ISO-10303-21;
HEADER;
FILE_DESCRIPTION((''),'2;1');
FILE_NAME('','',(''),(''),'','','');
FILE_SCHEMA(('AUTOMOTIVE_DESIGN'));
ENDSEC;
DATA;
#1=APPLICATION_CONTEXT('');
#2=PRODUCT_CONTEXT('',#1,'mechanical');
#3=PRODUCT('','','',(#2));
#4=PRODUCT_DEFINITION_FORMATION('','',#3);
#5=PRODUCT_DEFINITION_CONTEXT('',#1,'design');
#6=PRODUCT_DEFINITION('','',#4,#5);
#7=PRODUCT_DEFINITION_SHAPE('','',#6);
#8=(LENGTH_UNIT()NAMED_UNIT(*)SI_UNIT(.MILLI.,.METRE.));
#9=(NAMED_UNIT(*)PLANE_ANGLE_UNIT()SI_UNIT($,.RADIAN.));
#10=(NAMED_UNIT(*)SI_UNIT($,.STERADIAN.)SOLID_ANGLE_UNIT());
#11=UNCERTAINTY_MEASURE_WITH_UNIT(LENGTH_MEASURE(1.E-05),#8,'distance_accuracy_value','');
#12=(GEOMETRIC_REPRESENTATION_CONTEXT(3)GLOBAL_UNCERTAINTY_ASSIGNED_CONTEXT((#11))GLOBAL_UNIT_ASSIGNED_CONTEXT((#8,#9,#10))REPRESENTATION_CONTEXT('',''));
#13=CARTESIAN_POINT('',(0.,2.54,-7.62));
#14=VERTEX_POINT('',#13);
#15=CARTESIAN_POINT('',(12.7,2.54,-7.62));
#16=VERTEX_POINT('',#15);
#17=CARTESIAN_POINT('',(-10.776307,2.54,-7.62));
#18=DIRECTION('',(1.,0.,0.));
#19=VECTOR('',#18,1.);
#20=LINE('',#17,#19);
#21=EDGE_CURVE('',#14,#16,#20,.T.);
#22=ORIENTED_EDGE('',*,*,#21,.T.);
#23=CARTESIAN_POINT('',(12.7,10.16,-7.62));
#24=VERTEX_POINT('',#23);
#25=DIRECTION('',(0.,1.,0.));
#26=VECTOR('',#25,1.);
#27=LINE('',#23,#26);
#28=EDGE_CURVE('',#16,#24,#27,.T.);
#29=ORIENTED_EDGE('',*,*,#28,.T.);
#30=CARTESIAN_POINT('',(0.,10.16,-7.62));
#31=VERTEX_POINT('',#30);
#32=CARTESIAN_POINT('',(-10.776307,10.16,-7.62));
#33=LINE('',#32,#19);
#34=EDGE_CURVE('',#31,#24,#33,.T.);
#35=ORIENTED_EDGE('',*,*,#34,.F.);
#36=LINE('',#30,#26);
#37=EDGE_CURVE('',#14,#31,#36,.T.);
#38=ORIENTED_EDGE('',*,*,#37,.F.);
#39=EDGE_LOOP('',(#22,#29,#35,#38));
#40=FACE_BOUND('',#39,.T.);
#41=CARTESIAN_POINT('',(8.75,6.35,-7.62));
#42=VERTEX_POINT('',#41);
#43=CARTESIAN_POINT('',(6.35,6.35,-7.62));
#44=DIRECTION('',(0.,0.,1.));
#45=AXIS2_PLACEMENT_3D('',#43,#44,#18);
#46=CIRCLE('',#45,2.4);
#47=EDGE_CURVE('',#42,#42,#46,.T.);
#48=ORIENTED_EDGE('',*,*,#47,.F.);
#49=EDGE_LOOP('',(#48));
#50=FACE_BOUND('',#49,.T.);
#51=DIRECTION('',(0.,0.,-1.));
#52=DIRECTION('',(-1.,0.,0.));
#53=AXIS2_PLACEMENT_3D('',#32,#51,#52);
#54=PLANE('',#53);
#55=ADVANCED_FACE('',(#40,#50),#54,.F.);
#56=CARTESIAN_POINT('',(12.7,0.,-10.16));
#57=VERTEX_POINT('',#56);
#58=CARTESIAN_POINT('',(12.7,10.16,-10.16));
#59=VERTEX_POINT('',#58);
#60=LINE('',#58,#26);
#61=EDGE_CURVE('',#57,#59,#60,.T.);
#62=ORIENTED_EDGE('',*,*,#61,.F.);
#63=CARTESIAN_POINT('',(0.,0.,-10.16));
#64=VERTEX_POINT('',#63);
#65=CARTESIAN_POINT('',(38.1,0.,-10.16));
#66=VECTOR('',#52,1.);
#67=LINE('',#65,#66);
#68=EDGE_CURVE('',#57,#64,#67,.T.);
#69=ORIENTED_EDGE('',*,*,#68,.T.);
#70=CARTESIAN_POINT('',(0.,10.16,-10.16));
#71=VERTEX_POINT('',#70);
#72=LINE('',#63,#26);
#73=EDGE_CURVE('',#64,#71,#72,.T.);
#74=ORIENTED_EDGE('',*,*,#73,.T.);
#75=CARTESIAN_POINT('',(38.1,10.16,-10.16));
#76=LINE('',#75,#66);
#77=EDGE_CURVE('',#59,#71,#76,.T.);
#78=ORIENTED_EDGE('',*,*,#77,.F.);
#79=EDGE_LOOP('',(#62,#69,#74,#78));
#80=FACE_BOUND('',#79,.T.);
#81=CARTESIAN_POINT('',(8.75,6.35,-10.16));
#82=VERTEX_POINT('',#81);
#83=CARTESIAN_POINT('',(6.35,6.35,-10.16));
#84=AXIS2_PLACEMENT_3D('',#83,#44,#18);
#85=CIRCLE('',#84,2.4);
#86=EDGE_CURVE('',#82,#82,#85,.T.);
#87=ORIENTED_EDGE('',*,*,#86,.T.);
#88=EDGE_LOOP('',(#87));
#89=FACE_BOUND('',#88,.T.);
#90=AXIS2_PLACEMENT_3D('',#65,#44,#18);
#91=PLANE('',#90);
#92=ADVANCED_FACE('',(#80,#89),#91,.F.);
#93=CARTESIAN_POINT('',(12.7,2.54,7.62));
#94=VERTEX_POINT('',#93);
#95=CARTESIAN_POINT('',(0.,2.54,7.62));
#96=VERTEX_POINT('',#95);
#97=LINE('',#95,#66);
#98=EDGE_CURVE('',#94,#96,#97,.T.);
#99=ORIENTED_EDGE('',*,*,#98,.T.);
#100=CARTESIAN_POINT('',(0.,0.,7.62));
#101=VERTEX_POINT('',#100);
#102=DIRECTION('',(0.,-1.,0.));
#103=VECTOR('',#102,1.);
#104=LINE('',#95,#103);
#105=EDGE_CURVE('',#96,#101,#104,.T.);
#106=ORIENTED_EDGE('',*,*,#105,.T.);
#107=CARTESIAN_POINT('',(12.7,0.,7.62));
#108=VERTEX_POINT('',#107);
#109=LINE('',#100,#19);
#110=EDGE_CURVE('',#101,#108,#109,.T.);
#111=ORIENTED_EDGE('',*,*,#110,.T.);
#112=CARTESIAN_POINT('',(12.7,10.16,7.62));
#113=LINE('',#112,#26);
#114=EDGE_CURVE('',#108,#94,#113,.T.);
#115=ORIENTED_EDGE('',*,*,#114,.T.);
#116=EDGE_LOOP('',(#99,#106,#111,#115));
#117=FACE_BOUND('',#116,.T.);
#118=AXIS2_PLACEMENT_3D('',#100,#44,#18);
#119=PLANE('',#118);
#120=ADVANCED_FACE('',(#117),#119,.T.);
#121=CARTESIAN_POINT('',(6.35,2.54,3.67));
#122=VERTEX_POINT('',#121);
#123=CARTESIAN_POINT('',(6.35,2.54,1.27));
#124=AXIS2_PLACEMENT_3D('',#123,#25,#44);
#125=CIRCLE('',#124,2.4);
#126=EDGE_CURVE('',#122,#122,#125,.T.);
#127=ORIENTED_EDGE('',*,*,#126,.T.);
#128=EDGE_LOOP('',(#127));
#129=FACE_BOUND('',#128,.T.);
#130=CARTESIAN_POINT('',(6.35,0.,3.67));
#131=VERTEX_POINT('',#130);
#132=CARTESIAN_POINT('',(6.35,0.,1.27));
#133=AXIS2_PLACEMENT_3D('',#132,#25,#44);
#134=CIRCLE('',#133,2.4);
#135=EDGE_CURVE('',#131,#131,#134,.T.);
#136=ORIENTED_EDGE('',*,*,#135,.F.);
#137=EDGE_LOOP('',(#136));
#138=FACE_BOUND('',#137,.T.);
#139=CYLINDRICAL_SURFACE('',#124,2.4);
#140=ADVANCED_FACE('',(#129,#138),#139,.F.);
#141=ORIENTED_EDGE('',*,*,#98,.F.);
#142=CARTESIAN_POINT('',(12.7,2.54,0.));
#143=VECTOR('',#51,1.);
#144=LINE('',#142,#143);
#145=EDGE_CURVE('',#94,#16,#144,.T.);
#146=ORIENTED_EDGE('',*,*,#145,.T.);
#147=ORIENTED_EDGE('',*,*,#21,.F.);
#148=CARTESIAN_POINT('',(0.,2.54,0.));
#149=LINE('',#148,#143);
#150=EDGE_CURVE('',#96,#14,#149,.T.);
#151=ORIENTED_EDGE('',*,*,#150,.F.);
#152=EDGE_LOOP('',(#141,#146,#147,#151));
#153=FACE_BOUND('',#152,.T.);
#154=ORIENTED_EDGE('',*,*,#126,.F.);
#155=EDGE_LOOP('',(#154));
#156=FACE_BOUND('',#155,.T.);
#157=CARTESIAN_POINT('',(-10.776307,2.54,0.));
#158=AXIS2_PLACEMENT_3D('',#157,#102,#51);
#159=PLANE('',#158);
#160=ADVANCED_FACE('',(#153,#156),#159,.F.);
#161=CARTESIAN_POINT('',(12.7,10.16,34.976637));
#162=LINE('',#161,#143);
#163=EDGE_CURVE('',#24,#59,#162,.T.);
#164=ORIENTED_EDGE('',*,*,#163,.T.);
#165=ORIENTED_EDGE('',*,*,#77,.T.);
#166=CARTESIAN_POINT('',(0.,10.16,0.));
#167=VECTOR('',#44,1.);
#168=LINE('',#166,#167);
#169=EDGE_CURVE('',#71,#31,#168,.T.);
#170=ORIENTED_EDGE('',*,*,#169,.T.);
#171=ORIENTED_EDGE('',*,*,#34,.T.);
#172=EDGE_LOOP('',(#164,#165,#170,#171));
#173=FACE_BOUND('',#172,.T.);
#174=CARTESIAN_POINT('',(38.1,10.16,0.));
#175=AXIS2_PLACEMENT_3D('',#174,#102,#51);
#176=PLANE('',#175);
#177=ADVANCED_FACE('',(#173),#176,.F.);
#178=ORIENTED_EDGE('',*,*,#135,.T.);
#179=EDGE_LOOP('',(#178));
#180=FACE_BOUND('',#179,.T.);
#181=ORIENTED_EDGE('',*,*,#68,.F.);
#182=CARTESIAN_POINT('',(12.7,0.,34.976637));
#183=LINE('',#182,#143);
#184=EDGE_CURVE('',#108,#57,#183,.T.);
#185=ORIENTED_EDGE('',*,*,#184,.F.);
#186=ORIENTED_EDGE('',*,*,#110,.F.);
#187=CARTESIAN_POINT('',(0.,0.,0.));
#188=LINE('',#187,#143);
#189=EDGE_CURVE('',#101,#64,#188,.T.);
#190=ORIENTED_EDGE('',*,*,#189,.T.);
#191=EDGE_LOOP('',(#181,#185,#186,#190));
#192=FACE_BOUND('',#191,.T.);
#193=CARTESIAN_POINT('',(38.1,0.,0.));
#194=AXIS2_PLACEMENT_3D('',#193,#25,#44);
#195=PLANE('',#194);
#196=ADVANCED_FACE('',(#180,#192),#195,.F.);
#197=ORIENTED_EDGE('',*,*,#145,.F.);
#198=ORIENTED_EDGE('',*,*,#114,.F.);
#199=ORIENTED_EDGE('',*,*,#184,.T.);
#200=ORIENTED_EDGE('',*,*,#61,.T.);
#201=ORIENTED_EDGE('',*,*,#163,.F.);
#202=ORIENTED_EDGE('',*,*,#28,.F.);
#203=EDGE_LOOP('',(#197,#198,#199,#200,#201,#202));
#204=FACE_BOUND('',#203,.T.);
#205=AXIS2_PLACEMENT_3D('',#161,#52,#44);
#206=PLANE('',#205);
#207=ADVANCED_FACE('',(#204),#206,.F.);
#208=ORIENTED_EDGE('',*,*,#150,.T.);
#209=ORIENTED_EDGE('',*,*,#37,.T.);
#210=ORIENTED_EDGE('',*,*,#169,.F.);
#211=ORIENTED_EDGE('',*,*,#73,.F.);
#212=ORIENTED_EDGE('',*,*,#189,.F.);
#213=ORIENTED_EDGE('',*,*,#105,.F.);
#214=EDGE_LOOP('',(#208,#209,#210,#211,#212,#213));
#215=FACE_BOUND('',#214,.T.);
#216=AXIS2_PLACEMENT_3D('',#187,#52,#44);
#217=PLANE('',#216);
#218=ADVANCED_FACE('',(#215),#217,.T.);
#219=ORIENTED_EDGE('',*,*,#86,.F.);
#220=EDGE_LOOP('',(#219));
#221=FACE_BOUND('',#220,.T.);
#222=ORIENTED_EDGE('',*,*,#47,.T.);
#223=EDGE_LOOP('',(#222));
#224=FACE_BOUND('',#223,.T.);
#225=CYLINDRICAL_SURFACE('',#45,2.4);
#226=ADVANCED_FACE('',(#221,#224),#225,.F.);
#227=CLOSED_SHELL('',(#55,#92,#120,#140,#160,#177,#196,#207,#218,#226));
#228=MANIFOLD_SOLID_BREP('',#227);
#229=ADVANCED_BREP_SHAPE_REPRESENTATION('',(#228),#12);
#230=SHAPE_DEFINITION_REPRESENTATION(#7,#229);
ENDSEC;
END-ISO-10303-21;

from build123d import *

# Parameters (mm, degrees)
SKETCH2_W               = 10.16
SKETCH2_H               = 10.16
BOSS_EXTRUDE1_DEPTH     = 38.1
CUT_EXTRUDE1_DEPTH      = 41.719297636
CUT_EXTRUDE1_DEPTH_BACK = 38.1
SKETCH3_W               = 7.62
SKETCH3_H               = 7.62
M4_CLEARANCE_HOLE2_D    = 4.8
SKETCH13_W              = 38.1
SKETCH13_H              = 2.54
BOSS_EXTRUDE2_DEPTH     = 7.62
M4_CLEARANCE_HOLE3_D    = 4.8
CUT_EXTRUDE2_REACH      = 45.255
SKETCH17_W              = 25.4
SKETCH17_H              = 10.16


with BuildPart() as part:
    # Sketch2 → Boss-Extrude1 (new body)
    with BuildSketch(Plane(origin=(0, 0, 0), x_dir=(0, 0, -1), z_dir=(1, 0, 0))):
        with Locations((5.08, 5.08)):
            Rectangle(SKETCH2_W, SKETCH2_H)
    extrude(amount=BOSS_EXTRUDE1_DEPTH)

    # Sketch3 → Cut-Extrude1 (cut, two sides: drawn at the far end of the back side and taken through both)
    with BuildSketch(Plane(origin=(38.1, 0, 0), x_dir=(0, 0, -1), z_dir=(1, 0, 0)).offset(-CUT_EXTRUDE1_DEPTH_BACK)):
        with Locations((3.81, 6.35)):
            Rectangle(SKETCH3_W, SKETCH3_H)
    extrude(amount=CUT_EXTRUDE1_DEPTH + CUT_EXTRUDE1_DEPTH_BACK, mode=Mode.SUBTRACT)

    # M4 Clearance Hole2 (through all)
    with Locations(Plane.XY.offset(-7.62)):
        with Locations((6.35, 6.35), (31.75, 6.35)):
            Hole(M4_CLEARANCE_HOLE2_D / 2)

    # Sketch13 → Boss-Extrude2 (add)
    with BuildSketch(Plane.XY):
        with Locations((19.05, 1.27)):
            Rectangle(SKETCH13_W, SKETCH13_H)
    extrude(amount=BOSS_EXTRUDE2_DEPTH)

    # M4 Clearance Hole3 (through all)
    with Locations(Plane(origin=(0, 2.54, 0), x_dir=(1, 0, 0), z_dir=(0, 1, 0))):
        with Locations((6.35, -1.27), (31.75, -1.27)):
            Hole(M4_CLEARANCE_HOLE3_D / 2)

    # Cut-Extrude2: up to this face of the body (flat: up to its plane)
    cut_extrude2_end = Plane(part.part.faces().sort_by_distance((19.05, 1.27, 7.62))[0])
    # Sketch17 → Cut-Extrude2 (cut, up to the picked face)
    with BuildSketch(Plane(origin=(0, 0, -10.16), x_dir=(-1, 0, 0), z_dir=(0, 0, -1)), mode=Mode.PRIVATE) as cut_extrude2_sk1:
        with Locations((-25.4, 5.08)):
            Rectangle(SKETCH17_W, SKETCH17_H)
    cut_extrude2_tool1 = split(extrude(cut_extrude2_sk1.sketch, amount=-CUT_EXTRUDE2_REACH, mode=Mode.PRIVATE), bisect_by=cut_extrude2_end, keep=Keep.BOTH, mode=Mode.PRIVATE)
    add(cut_extrude2_tool1.solids().sort_by(Axis((25.4, 5.08, -10.16), (0, 0, 1)))[0], mode=Mode.SUBTRACT)


solid = part.part
